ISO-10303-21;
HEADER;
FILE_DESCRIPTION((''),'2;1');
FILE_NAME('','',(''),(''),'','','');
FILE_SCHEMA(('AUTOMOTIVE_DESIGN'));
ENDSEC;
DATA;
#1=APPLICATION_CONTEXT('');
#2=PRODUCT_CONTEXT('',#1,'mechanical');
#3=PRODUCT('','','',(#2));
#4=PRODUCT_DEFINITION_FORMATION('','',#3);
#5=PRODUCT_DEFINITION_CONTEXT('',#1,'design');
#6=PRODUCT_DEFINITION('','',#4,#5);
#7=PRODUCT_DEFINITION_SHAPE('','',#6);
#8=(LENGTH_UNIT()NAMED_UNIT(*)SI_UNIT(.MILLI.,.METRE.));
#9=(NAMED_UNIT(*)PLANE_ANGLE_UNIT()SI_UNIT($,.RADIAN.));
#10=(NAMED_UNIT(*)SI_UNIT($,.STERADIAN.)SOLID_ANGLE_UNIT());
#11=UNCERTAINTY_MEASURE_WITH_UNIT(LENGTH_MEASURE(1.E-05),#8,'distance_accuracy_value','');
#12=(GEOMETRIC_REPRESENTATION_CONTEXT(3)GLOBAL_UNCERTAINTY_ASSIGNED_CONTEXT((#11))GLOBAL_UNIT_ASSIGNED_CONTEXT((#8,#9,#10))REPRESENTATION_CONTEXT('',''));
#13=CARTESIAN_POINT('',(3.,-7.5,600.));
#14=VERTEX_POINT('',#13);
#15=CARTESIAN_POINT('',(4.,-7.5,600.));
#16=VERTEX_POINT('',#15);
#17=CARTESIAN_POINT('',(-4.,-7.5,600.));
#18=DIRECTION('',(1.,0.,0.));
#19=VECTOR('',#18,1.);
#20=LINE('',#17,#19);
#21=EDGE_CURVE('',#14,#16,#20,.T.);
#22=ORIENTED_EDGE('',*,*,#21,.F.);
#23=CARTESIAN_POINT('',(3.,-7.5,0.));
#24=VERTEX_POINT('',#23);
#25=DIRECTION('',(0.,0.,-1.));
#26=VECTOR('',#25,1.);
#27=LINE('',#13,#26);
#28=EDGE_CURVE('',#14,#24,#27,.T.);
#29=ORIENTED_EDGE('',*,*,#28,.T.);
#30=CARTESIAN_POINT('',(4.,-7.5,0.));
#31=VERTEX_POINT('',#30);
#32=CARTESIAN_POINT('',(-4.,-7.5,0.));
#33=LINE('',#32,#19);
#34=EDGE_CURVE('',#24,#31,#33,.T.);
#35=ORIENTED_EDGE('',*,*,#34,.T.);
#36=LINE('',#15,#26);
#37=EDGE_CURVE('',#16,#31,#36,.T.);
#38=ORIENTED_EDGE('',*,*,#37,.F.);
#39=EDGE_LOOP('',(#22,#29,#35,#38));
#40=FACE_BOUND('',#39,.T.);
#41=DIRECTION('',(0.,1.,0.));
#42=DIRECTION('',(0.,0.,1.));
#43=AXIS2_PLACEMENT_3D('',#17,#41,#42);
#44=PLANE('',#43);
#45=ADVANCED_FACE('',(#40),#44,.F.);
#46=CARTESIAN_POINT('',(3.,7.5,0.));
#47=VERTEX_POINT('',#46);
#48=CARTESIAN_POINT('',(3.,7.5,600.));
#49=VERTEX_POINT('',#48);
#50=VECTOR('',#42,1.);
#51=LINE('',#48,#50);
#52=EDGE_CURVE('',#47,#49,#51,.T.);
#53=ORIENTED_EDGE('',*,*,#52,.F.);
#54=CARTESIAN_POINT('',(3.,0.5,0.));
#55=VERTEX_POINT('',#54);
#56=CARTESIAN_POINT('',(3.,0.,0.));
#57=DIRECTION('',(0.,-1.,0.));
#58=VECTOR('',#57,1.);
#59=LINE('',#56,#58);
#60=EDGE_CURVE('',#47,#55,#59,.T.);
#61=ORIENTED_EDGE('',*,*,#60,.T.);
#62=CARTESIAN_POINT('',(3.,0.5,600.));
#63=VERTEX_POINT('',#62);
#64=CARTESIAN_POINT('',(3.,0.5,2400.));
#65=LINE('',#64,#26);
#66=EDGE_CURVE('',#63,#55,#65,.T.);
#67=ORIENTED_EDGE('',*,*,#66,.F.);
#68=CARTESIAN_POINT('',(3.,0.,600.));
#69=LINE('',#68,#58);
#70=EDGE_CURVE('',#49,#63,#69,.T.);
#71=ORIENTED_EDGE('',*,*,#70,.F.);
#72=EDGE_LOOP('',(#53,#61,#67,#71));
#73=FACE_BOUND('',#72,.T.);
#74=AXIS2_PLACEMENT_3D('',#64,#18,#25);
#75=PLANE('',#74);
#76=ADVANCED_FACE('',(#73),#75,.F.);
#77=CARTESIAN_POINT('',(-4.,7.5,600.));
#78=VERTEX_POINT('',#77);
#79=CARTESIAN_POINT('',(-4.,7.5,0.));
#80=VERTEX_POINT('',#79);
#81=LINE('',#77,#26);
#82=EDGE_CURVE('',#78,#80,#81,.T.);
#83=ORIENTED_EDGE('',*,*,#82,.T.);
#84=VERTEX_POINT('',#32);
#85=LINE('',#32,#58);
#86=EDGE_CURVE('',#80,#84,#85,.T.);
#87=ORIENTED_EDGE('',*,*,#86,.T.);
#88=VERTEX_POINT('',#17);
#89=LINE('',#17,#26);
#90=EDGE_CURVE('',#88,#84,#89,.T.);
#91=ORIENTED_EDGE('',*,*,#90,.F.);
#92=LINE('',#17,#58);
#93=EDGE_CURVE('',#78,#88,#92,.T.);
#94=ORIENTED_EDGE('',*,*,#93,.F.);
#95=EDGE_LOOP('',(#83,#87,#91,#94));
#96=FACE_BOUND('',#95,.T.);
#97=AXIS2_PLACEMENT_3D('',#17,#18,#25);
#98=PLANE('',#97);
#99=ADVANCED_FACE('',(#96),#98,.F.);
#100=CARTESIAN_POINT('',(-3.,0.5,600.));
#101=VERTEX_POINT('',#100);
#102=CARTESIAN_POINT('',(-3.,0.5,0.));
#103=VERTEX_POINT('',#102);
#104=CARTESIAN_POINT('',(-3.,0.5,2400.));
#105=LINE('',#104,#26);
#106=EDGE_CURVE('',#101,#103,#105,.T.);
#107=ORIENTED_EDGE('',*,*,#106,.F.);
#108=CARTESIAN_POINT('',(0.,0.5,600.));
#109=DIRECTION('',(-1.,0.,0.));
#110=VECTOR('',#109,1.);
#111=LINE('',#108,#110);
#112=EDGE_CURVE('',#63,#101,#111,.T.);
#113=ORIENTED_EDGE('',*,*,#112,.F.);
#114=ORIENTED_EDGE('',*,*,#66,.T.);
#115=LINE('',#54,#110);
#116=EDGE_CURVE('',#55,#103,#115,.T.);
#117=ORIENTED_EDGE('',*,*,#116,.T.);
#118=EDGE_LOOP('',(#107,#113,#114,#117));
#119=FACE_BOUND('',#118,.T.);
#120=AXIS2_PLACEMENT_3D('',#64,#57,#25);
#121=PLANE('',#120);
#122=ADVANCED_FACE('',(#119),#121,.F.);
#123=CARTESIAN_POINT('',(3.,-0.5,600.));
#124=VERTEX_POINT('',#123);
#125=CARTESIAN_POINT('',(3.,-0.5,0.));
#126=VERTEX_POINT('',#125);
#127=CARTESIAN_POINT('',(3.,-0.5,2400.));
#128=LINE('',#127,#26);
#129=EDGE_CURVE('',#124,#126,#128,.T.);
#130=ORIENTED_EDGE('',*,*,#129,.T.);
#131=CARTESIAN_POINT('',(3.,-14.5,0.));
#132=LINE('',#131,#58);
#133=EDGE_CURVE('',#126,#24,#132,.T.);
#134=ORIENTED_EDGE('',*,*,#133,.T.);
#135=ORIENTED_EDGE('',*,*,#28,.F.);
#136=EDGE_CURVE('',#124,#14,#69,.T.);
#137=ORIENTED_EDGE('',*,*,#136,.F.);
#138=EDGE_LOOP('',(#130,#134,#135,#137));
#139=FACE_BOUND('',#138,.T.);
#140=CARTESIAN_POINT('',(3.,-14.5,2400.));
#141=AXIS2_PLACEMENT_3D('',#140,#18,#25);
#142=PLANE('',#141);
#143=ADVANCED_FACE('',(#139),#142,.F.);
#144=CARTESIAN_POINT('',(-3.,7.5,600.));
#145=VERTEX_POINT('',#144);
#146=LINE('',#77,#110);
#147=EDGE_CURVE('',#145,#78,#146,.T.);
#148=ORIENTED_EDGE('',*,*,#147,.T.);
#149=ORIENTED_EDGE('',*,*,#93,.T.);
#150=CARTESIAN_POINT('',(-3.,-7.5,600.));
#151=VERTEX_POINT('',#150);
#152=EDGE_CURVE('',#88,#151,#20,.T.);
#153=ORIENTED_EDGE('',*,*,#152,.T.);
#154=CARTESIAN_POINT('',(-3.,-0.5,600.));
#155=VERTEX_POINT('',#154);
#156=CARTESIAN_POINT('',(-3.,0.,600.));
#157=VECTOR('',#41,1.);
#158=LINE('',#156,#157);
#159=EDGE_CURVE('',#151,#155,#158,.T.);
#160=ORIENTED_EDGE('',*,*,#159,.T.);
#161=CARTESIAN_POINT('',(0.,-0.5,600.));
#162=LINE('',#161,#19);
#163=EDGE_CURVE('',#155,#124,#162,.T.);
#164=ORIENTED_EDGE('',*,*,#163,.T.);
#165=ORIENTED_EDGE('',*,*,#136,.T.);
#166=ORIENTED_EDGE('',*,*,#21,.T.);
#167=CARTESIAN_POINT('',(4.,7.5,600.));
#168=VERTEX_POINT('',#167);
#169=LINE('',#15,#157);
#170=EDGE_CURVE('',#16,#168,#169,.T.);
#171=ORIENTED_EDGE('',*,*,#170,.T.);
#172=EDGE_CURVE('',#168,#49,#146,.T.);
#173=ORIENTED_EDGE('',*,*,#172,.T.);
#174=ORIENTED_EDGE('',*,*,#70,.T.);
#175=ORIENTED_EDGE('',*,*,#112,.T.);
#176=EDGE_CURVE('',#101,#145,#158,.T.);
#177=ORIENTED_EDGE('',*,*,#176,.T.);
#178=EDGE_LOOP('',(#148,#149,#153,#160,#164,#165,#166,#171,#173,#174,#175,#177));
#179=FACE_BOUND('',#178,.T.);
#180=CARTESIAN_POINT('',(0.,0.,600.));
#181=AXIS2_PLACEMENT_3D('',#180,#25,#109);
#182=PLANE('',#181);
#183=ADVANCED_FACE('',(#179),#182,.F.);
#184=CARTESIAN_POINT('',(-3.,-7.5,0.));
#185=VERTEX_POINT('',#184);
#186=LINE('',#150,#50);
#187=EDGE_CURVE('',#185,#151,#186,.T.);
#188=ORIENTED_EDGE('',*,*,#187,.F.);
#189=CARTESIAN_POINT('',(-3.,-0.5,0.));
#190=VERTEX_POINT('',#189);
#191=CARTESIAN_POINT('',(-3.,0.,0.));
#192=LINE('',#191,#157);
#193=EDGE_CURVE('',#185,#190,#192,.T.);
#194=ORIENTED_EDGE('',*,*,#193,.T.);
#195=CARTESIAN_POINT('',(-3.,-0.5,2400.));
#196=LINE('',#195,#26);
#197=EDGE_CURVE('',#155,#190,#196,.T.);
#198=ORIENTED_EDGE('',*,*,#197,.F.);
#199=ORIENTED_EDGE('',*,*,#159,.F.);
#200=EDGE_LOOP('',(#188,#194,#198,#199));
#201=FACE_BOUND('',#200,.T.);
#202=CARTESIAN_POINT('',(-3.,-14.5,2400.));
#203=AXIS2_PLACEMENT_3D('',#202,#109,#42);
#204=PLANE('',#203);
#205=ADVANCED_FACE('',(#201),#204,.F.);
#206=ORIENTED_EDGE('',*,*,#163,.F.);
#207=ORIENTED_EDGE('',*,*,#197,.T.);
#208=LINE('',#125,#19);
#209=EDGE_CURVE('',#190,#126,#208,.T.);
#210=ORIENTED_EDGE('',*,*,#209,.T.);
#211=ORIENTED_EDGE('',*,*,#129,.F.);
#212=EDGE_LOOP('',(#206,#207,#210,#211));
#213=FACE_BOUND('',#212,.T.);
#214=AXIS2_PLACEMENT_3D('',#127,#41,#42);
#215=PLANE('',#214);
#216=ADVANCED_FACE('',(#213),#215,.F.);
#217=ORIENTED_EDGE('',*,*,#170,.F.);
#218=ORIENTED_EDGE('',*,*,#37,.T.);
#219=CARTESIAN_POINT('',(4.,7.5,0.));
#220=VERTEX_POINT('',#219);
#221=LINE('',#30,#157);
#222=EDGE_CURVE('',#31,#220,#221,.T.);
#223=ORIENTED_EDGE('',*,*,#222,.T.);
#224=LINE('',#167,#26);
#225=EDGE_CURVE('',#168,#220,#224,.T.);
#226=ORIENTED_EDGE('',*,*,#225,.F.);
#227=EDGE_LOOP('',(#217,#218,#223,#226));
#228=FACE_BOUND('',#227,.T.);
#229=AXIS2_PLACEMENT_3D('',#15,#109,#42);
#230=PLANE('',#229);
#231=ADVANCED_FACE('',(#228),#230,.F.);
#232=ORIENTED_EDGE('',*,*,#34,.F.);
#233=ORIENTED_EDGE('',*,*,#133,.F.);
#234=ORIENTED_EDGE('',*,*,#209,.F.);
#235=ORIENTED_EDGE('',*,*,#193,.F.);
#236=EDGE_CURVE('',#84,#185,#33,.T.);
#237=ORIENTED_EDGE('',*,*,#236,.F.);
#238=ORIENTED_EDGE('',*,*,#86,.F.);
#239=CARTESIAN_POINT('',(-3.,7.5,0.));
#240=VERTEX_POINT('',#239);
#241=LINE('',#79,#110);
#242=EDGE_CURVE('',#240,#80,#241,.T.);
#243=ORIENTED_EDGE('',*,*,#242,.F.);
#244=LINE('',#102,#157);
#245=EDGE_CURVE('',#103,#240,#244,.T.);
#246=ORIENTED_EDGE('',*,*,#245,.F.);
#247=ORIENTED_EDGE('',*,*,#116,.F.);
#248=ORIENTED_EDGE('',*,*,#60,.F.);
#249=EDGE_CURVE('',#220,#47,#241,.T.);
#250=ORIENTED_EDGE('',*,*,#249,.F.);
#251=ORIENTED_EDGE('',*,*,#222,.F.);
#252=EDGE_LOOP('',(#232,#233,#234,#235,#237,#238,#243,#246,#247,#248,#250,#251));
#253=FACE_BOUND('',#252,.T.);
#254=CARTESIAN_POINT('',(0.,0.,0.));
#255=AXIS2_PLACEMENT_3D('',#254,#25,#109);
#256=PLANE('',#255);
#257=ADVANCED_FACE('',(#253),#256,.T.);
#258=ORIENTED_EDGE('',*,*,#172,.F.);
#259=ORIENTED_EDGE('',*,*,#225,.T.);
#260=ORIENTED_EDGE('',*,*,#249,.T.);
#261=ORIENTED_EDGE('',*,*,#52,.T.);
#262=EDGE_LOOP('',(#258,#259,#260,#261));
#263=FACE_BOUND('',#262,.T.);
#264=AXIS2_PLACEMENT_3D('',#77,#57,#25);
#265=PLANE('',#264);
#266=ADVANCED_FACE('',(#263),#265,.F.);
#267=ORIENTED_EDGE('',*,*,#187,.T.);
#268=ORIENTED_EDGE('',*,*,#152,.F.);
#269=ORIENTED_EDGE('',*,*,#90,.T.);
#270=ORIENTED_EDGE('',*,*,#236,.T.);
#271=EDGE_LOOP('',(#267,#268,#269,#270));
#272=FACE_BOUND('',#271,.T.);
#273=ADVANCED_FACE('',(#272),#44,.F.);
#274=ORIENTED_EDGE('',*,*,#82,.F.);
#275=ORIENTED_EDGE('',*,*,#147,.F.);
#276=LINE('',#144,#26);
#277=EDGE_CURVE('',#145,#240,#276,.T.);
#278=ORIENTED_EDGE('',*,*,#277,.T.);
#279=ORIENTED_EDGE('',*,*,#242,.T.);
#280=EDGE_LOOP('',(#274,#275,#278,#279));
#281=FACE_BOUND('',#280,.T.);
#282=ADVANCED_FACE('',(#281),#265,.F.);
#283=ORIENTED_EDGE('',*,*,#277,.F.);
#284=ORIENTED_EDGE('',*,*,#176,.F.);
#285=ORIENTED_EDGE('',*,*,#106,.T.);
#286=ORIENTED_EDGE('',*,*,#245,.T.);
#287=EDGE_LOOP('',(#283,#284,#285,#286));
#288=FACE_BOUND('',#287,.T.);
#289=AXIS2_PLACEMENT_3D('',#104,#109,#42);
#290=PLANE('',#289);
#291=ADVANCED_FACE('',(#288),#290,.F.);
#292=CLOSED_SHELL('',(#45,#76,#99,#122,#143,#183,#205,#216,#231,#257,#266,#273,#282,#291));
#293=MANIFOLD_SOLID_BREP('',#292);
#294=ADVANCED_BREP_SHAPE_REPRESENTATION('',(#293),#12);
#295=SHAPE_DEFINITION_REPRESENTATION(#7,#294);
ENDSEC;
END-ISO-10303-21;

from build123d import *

# Parameters (mm, degrees)
SKETCH_1_W          = 8
SKETCH_1_H          = 15
EXTRUDE_1_DEPTH     = 600
SKETCH_2_W          = 6
SKETCH_2_H          = 14
CUT_EXTRUDE_1_DEPTH = 2400


with BuildPart() as part:
    # 草图1 → 凸台-拉伸1 (new body)
    with BuildSketch(Plane.XY):
        Rectangle(SKETCH_1_W, SKETCH_1_H)
    extrude(amount=EXTRUDE_1_DEPTH)

    # 草图2 → 切除-拉伸1 (cut)
    with BuildSketch(Plane(origin=(0, 0, 0), x_dir=(-1, 0, 0), z_dir=(0, 0, -1))):
        with Locations((0, -7.5)):
            Rectangle(SKETCH_2_W, SKETCH_2_H)
        with Locations((0, 7.5)):
            Rectangle(SKETCH_2_W, SKETCH_2_H)
    extrude(amount=-CUT_EXTRUDE_1_DEPTH, mode=Mode.SUBTRACT)


solid = part.part
